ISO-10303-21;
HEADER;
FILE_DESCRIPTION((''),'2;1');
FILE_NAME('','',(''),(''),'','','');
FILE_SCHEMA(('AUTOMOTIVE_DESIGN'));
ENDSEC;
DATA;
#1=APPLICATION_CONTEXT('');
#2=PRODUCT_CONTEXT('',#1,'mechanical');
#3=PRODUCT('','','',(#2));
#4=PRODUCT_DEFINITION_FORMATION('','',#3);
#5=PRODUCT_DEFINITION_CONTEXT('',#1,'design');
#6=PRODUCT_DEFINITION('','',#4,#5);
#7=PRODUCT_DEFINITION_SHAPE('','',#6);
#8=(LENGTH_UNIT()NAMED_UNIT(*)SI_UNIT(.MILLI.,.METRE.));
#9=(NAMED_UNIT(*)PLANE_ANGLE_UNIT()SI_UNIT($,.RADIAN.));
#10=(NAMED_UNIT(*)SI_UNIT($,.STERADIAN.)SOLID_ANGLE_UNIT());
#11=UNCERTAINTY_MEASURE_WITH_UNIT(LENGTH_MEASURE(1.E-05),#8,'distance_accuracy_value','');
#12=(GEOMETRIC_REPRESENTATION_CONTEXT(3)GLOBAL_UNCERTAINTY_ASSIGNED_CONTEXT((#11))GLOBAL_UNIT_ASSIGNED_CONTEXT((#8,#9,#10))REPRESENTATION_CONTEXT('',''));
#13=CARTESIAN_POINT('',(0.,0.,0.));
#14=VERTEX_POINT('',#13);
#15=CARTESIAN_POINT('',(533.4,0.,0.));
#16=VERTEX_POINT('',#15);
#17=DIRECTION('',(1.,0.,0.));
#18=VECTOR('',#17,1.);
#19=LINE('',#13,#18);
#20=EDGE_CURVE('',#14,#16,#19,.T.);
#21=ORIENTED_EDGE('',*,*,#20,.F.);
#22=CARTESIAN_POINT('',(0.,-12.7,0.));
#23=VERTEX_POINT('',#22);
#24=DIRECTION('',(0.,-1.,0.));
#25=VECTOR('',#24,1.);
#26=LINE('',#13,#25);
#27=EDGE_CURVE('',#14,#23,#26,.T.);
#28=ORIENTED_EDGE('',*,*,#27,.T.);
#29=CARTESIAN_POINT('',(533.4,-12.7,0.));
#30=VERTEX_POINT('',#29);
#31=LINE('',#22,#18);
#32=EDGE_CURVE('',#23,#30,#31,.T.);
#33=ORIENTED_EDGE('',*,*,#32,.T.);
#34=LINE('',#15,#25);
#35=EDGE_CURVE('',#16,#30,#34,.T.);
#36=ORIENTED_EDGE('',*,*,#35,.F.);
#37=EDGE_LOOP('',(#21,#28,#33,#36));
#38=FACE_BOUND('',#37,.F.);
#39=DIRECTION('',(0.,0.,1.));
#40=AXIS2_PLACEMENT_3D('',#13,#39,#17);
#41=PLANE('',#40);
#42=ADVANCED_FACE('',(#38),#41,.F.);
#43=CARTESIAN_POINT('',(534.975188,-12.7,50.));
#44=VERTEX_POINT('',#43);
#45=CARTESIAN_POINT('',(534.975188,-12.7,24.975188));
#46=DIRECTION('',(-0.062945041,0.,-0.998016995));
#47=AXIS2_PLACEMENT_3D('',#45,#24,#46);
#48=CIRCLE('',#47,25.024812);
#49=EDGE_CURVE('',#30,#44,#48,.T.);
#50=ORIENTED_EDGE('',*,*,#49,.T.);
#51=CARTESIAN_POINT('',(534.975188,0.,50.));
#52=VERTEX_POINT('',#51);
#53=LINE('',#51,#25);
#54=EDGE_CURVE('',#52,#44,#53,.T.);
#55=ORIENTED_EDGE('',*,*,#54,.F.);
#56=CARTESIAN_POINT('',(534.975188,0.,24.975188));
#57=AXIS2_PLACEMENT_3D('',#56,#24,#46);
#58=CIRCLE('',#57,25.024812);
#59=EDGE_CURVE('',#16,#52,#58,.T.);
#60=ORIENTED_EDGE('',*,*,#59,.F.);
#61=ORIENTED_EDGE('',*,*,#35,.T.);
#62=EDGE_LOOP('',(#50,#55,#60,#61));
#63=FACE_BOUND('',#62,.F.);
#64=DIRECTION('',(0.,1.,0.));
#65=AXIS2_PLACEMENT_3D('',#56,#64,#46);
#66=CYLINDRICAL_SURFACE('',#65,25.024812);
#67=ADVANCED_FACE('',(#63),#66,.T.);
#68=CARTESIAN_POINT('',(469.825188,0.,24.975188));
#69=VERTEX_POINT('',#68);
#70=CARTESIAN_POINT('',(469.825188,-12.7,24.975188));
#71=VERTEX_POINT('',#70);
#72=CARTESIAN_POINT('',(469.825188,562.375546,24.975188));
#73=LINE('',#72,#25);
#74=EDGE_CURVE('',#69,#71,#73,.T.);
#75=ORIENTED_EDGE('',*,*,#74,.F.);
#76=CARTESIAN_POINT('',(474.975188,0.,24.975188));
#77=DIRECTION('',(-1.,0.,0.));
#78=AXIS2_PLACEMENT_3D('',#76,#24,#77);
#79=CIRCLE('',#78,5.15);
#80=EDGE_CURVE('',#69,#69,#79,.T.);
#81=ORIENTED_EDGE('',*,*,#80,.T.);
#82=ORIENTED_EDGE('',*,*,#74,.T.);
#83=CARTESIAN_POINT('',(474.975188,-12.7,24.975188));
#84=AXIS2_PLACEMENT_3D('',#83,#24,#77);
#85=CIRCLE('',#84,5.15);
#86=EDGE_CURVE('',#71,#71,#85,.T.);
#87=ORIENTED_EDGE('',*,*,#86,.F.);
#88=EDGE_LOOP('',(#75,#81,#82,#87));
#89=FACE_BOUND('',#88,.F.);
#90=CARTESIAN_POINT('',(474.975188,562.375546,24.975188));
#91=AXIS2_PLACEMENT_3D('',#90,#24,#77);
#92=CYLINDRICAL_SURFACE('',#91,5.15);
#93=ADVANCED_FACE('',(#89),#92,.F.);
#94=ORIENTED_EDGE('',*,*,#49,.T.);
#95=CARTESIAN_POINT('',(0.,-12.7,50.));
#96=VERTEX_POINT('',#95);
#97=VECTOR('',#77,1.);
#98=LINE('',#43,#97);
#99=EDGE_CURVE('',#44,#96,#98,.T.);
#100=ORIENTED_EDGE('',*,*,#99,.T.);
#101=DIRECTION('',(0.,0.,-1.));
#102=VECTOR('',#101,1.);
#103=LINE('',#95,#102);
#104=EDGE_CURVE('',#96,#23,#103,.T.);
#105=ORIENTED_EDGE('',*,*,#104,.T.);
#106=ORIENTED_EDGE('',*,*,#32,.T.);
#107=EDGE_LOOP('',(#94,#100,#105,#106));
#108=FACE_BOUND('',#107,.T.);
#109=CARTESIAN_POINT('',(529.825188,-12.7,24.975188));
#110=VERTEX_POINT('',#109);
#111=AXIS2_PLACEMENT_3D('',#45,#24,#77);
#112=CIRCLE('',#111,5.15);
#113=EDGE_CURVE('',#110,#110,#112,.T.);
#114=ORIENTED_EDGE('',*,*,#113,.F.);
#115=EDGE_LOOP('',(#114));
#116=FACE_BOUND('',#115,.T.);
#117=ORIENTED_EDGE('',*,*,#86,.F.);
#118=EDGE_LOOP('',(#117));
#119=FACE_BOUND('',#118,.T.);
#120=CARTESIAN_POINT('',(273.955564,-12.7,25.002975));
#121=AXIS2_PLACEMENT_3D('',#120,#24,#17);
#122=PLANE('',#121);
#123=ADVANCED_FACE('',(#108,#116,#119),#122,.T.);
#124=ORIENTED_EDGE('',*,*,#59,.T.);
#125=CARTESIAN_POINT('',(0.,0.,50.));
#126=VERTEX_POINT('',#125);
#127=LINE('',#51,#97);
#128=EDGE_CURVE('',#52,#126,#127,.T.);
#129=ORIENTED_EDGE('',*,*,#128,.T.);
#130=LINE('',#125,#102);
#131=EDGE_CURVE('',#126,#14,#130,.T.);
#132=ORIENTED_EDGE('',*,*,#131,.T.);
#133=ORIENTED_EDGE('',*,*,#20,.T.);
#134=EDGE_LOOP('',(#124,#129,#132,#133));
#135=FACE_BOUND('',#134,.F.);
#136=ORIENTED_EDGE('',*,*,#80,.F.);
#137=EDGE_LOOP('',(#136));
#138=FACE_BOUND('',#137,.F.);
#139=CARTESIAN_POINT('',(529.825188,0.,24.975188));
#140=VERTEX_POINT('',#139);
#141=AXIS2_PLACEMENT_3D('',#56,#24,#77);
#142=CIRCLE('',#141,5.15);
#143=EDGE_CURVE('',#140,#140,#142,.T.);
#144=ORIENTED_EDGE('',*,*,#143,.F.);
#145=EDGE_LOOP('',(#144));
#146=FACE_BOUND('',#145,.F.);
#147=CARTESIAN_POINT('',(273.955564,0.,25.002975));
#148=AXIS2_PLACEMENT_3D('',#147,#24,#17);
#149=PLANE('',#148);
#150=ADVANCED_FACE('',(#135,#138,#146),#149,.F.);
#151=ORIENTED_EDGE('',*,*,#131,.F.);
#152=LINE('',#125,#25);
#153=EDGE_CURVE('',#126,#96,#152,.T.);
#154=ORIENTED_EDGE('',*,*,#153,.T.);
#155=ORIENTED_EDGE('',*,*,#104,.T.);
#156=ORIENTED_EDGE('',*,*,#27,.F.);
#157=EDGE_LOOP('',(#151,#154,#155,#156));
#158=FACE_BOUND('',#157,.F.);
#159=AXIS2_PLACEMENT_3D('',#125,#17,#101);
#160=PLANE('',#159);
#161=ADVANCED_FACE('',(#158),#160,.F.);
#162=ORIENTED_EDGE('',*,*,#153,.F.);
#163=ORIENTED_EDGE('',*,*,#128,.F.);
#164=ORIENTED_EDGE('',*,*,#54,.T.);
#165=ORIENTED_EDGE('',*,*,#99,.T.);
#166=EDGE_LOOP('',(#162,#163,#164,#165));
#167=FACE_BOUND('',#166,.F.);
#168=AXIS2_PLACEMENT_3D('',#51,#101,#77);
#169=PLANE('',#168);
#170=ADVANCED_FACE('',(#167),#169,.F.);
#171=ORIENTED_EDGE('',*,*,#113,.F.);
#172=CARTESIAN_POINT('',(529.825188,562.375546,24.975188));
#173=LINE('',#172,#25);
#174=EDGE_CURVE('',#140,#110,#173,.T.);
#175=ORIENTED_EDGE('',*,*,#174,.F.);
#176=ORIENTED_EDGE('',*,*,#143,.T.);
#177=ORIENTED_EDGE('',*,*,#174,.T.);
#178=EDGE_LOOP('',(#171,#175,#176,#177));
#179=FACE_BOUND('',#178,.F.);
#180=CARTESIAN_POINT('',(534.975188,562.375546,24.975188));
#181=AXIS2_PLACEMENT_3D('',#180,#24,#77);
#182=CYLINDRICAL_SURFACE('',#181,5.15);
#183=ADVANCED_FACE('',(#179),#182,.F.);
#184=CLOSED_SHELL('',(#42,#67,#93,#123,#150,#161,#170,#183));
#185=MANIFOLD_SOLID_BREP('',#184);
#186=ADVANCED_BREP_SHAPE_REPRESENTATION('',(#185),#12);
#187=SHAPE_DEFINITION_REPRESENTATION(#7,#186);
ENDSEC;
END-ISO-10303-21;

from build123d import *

# Parameters (mm, degrees)
F1_DEPTH = 12.7
F2_D     = 10.3


with BuildPart() as f1:
    # F0 (on Front) → F1 (new body)
    with BuildSketch(Plane.XZ):
        with BuildLine():
            Line((0, 50), (0, 0))
            Line((0, 0), (533.4, 0))
            ThreePointArc((533.4, 0), (559.9875908398, 24.1872031751), (534.9751878329, 50))
            Line((534.9751878329, 50), (0, 50))
        make_face()
    extrude(amount=F1_DEPTH)

    # F2 (through all)
    with Locations(Plane(origin=(0, 0, 0), x_dir=(1, 0, 0), z_dir=(0, 1, 0))):
        with Locations((474.9751878329, -24.9751878329), (534.9751878329, -24.9751878329)):
            Hole(F2_D / 2)


solid = f1.part
